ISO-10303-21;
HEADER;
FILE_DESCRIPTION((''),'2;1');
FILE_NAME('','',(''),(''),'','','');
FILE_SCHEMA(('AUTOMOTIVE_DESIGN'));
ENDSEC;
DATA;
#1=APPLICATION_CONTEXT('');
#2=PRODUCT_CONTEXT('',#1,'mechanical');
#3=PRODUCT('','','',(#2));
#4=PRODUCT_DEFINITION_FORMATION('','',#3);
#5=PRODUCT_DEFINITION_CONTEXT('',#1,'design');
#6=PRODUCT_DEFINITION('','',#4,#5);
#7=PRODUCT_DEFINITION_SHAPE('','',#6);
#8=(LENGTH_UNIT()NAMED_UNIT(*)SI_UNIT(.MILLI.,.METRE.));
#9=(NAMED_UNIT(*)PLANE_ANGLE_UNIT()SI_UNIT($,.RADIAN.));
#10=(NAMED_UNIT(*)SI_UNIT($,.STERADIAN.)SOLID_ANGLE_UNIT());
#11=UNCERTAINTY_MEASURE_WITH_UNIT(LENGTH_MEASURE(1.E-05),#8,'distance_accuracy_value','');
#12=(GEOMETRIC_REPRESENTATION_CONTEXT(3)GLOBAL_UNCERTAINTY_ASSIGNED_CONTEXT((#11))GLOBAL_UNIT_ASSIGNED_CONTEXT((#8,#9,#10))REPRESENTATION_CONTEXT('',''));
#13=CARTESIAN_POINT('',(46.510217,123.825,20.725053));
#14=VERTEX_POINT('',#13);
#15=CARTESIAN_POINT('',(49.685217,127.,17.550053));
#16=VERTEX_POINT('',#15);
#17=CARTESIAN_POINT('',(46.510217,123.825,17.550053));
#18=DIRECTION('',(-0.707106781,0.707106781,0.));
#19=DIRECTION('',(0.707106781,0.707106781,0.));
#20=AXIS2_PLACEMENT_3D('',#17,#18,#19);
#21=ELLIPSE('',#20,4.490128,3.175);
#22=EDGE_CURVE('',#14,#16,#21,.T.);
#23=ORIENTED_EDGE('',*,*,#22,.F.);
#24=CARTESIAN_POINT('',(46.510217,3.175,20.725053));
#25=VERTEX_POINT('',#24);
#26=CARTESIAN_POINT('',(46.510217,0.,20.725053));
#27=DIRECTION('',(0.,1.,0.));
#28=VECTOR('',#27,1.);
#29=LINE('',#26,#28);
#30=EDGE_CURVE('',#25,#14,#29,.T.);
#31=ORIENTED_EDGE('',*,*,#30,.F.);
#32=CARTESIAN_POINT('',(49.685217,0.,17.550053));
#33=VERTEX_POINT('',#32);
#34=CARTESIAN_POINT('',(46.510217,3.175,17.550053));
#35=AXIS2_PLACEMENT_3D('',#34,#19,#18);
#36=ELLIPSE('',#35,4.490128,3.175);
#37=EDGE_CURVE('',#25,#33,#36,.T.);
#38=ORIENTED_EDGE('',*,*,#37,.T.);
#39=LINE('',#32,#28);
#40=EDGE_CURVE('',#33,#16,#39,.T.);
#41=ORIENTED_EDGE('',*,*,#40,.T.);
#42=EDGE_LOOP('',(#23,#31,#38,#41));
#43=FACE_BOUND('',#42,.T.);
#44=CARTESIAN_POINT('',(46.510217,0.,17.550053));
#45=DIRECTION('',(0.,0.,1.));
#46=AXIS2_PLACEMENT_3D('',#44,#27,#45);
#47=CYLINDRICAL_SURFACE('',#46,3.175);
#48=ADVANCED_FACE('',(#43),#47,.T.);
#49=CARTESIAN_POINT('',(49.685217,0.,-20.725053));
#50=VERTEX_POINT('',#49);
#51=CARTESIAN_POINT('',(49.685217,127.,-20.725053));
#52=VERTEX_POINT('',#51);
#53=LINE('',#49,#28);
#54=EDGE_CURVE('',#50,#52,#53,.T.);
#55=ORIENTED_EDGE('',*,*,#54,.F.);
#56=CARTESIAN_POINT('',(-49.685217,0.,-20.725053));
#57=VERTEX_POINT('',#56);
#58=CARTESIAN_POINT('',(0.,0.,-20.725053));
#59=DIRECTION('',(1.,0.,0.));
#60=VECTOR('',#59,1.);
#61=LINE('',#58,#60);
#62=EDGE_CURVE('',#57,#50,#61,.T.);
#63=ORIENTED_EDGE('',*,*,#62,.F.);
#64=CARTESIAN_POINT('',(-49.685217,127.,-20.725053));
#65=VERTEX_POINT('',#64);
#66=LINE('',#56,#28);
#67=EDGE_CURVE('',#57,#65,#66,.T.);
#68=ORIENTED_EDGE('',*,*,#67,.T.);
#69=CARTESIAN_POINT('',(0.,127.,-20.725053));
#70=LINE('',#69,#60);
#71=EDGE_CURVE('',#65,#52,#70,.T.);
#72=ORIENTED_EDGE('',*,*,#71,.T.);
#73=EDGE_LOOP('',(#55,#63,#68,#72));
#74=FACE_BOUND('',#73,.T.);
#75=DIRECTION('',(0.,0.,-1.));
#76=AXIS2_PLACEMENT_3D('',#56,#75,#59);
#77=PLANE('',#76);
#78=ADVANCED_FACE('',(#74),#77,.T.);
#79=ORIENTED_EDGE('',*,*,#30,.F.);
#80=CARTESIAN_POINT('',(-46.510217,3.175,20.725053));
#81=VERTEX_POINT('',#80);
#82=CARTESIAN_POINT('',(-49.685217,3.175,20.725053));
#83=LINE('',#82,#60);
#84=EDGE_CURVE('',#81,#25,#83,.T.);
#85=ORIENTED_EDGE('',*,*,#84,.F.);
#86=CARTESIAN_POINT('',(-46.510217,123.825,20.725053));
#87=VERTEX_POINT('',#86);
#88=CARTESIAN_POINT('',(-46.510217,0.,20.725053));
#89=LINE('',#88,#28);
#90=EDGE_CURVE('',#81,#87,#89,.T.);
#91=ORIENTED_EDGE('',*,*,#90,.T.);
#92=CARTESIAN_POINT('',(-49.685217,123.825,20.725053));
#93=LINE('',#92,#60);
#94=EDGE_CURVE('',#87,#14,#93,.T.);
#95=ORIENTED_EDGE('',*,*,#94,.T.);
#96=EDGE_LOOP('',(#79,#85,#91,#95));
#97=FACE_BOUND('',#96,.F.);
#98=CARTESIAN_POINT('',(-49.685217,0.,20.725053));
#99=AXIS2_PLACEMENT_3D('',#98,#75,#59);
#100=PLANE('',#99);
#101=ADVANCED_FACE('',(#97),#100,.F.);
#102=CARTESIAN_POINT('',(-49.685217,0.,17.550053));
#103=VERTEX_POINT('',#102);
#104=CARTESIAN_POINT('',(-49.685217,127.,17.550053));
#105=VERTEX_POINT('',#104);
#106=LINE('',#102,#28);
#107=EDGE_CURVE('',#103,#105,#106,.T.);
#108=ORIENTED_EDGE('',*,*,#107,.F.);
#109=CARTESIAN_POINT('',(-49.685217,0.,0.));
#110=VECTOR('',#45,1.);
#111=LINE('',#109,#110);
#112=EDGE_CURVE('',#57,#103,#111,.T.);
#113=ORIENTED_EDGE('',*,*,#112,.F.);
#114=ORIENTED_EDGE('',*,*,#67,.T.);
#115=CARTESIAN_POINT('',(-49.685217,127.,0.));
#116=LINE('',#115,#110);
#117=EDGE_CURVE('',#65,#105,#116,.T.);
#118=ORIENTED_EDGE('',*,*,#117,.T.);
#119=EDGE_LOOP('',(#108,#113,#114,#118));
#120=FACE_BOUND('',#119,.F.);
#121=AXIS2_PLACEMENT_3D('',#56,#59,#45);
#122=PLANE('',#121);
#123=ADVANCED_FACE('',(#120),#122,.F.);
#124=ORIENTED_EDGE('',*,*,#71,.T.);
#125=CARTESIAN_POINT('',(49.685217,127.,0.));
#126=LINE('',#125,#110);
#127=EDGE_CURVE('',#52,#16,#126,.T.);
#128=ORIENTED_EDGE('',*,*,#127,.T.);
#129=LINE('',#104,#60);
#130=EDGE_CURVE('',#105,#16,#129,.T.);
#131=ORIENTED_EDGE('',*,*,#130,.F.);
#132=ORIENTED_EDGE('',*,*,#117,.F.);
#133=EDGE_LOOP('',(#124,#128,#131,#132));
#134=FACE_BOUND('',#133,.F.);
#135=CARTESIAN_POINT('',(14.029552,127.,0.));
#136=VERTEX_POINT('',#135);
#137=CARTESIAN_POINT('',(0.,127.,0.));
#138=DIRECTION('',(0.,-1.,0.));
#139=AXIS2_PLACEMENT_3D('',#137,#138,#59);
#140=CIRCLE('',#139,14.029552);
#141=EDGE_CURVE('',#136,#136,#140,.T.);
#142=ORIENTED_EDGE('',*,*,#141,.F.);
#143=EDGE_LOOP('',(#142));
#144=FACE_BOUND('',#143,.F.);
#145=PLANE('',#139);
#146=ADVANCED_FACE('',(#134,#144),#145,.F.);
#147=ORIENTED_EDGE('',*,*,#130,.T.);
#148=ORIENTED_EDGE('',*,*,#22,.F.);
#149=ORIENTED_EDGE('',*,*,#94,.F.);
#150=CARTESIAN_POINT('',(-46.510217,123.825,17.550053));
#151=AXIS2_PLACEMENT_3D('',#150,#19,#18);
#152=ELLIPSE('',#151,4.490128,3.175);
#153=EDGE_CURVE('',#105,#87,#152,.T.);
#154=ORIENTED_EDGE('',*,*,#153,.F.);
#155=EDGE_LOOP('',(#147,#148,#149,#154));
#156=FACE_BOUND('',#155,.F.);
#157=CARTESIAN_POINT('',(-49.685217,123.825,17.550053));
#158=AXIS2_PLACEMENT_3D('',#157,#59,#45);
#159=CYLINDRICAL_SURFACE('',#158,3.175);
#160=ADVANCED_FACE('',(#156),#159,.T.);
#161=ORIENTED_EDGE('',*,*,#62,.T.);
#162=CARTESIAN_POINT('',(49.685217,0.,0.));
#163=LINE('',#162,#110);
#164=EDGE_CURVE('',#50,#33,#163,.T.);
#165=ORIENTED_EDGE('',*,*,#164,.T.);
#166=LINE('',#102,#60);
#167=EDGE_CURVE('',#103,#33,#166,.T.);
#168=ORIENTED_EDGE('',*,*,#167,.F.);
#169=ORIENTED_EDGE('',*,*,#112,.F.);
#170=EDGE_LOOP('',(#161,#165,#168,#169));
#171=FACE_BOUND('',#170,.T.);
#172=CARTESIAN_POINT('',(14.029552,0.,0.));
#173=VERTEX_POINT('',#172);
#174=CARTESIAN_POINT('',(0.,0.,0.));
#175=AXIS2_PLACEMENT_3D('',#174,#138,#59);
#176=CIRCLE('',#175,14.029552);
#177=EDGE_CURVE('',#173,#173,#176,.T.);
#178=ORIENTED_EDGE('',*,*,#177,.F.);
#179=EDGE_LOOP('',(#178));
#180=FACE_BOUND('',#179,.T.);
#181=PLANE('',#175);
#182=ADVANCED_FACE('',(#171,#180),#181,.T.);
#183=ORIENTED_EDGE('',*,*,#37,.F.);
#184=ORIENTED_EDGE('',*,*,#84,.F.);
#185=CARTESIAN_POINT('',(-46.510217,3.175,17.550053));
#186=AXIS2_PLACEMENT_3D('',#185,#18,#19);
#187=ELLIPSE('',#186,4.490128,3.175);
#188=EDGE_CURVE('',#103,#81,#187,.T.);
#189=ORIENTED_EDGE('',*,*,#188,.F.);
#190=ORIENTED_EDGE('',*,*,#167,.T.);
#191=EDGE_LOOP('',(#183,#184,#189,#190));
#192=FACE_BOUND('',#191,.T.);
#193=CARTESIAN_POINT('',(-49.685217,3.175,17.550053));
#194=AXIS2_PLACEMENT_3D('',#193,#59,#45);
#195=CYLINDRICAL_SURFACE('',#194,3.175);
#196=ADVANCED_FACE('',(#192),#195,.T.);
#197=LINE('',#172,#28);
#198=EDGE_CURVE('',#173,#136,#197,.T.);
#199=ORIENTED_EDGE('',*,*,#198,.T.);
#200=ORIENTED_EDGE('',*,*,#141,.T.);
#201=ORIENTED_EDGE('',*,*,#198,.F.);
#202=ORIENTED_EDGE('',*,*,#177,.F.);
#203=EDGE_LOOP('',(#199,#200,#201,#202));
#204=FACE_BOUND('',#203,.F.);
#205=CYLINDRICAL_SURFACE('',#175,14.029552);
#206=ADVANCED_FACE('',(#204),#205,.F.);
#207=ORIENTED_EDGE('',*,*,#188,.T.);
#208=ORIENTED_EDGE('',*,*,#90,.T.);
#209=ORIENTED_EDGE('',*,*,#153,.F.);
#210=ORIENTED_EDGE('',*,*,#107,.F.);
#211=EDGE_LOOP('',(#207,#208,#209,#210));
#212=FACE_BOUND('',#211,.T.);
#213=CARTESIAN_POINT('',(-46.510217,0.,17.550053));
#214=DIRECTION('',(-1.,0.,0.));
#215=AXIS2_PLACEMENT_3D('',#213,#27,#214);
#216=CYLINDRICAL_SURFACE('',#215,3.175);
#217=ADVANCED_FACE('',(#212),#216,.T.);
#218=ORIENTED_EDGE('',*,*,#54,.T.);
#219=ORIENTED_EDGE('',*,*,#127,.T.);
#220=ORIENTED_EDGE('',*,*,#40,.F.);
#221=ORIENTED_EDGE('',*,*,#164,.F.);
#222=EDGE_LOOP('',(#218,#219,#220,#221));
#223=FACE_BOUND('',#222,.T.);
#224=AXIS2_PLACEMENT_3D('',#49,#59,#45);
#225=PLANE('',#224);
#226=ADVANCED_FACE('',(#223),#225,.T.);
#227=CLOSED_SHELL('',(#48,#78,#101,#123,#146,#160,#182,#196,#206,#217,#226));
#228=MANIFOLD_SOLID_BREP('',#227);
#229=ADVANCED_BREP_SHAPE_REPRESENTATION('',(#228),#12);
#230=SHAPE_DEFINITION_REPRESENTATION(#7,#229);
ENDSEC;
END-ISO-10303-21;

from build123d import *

# Parameters (mm, degrees)
F0_W     = 99.370434
F0_H     = 41.450106
F1_DEPTH = 127
F2_R     = 14.029552
F3_DEPTH = 127.001
F4_R     = 3.175


with BuildPart() as f1:
    # F0 (on Front) → F1 (new body)
    with BuildSketch(Plane.XZ):
        Rectangle(F0_W, F0_H)
    extrude(amount=-F1_DEPTH)

    # F2 (on face) → F3 (cut, through all)
    with BuildSketch(Plane.XZ):
        Circle(F2_R)
    extrude(amount=-F3_DEPTH, mode=Mode.SUBTRACT)

    # F4
    f4_edges = [f1.edges().sort_by_distance(p)[0] for p in [
        (49.685217, 63.5, 20.725053),
        (-49.685217, 63.5, 20.725053),
        (0, 0, 20.725053),
        (0, 127, 20.725053),
    ]]
    fillet(f4_edges, radius=F4_R)


solid = f1.part
